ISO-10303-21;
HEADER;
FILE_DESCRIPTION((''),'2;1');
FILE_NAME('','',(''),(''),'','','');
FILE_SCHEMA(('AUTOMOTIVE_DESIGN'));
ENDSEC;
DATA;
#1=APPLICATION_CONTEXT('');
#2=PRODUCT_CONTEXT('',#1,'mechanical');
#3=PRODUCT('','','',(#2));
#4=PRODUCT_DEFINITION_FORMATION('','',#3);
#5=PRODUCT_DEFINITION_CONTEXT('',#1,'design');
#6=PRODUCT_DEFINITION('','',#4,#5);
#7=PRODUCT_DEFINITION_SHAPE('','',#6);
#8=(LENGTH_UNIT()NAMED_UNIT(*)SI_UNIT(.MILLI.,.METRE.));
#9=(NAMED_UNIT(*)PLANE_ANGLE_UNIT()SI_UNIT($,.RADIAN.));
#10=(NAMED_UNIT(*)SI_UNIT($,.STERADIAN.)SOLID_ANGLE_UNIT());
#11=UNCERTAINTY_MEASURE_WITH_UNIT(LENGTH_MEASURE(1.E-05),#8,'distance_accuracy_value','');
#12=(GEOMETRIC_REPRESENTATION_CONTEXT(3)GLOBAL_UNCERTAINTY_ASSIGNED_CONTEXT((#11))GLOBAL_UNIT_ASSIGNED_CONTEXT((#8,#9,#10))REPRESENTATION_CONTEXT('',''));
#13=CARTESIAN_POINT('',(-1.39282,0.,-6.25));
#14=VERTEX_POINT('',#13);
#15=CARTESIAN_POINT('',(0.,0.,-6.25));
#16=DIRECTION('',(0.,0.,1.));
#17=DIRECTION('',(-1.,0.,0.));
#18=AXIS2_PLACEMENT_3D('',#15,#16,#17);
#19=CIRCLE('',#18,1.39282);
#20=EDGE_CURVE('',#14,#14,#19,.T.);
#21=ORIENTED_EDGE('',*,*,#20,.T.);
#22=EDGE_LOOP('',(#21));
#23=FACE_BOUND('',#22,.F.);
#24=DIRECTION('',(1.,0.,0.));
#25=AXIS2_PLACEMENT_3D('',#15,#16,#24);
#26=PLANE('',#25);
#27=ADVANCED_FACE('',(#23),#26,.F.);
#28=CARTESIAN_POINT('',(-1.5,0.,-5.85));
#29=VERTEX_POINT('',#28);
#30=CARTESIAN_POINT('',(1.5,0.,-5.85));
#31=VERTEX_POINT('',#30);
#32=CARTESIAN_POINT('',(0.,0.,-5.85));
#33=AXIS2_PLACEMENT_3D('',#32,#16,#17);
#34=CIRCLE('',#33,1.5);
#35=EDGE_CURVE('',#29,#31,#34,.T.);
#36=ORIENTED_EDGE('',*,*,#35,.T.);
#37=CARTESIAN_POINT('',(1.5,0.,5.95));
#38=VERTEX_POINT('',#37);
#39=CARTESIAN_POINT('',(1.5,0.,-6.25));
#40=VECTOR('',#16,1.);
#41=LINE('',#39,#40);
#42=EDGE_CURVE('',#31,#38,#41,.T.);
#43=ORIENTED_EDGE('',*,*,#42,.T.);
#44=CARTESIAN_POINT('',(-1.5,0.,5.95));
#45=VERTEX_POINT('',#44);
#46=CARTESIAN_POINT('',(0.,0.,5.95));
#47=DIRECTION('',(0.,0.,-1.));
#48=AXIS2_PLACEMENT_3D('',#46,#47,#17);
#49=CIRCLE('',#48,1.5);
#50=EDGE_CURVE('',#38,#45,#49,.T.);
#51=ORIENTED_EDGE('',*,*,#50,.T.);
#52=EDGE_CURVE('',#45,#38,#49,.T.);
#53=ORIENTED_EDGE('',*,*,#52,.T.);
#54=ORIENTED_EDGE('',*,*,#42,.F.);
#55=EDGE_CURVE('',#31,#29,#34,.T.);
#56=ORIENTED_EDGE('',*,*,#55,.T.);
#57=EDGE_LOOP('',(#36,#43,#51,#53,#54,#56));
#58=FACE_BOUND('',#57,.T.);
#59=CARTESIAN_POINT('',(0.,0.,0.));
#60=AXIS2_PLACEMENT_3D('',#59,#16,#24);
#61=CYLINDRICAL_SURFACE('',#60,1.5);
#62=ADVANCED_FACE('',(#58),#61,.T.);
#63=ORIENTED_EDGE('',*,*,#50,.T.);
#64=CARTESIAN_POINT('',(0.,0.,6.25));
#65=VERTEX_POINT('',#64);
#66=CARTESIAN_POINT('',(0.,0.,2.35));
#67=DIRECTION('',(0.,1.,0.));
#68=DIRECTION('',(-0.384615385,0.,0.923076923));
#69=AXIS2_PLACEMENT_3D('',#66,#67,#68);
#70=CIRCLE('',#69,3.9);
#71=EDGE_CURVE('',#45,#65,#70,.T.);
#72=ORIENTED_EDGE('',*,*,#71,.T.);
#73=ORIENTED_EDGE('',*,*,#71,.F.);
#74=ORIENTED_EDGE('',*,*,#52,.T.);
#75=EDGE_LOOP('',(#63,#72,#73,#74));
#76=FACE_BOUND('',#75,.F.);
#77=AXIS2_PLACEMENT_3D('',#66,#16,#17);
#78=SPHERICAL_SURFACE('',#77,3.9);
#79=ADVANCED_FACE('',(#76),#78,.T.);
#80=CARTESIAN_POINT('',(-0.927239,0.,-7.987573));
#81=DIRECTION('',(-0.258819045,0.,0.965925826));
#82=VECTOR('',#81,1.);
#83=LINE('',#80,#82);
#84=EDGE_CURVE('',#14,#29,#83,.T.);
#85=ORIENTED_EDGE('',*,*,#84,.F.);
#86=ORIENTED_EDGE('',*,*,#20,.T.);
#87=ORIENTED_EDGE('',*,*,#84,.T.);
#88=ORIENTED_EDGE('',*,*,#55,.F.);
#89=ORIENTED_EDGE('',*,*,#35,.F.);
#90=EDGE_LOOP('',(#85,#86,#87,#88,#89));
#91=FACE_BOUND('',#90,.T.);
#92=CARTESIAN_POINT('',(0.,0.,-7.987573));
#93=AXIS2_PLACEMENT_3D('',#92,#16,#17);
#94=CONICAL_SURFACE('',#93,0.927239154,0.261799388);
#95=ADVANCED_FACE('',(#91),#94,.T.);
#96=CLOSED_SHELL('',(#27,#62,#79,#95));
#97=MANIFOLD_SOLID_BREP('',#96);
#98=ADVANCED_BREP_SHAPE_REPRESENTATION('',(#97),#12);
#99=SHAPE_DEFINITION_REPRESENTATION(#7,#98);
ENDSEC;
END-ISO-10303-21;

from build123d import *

# Parameters (mm, degrees)
F0_R     = 1.5
F1_DEPTH = 6.25


with BuildPart() as f1:
    # F0 (on Top) → F1 (new body, symmetric)
    with BuildSketch(Plane.XY):
        Circle(F0_R)
    extrude(amount=F1_DEPTH, both=True)

    # F2 (on Front) → F3 (revolve, cut)
    with BuildSketch(Plane.XZ):
        with BuildLine():
            Line((-1.6585878329, 5.95), (-1.5, 5.95))
            ThreePointArc((-1.5, 5.95), (-0.764852927, 6.1742646352), (0, 6.25))
            Line((0, 6.25), (0, 6.3502374105))
            Line((0, 6.3502374105), (-1.6585878329, 6.3502374105))
            Line((-1.6585878329, 6.3502374105), (-1.6585878329, 6.25))
            Line((-1.6585878329, 6.25), (-1.6585878329, 5.95))
        make_face()
    revolve(axis=Axis((0, 0, 3.125), (0, 0, -1)), mode=Mode.SUBTRACT)

    # F4 (on Front) → F5 (revolve, cut)
    with BuildSketch(Plane.XZ):
        Polygon((-0.9272391541, -7.9875725775), (-1.5, -5.85), (-1.5, -7.9875725775), align=None)
    revolve(axis=Axis((0, 0, -6.25), (0, 0, 1)), mode=Mode.SUBTRACT)


solid = f1.part
